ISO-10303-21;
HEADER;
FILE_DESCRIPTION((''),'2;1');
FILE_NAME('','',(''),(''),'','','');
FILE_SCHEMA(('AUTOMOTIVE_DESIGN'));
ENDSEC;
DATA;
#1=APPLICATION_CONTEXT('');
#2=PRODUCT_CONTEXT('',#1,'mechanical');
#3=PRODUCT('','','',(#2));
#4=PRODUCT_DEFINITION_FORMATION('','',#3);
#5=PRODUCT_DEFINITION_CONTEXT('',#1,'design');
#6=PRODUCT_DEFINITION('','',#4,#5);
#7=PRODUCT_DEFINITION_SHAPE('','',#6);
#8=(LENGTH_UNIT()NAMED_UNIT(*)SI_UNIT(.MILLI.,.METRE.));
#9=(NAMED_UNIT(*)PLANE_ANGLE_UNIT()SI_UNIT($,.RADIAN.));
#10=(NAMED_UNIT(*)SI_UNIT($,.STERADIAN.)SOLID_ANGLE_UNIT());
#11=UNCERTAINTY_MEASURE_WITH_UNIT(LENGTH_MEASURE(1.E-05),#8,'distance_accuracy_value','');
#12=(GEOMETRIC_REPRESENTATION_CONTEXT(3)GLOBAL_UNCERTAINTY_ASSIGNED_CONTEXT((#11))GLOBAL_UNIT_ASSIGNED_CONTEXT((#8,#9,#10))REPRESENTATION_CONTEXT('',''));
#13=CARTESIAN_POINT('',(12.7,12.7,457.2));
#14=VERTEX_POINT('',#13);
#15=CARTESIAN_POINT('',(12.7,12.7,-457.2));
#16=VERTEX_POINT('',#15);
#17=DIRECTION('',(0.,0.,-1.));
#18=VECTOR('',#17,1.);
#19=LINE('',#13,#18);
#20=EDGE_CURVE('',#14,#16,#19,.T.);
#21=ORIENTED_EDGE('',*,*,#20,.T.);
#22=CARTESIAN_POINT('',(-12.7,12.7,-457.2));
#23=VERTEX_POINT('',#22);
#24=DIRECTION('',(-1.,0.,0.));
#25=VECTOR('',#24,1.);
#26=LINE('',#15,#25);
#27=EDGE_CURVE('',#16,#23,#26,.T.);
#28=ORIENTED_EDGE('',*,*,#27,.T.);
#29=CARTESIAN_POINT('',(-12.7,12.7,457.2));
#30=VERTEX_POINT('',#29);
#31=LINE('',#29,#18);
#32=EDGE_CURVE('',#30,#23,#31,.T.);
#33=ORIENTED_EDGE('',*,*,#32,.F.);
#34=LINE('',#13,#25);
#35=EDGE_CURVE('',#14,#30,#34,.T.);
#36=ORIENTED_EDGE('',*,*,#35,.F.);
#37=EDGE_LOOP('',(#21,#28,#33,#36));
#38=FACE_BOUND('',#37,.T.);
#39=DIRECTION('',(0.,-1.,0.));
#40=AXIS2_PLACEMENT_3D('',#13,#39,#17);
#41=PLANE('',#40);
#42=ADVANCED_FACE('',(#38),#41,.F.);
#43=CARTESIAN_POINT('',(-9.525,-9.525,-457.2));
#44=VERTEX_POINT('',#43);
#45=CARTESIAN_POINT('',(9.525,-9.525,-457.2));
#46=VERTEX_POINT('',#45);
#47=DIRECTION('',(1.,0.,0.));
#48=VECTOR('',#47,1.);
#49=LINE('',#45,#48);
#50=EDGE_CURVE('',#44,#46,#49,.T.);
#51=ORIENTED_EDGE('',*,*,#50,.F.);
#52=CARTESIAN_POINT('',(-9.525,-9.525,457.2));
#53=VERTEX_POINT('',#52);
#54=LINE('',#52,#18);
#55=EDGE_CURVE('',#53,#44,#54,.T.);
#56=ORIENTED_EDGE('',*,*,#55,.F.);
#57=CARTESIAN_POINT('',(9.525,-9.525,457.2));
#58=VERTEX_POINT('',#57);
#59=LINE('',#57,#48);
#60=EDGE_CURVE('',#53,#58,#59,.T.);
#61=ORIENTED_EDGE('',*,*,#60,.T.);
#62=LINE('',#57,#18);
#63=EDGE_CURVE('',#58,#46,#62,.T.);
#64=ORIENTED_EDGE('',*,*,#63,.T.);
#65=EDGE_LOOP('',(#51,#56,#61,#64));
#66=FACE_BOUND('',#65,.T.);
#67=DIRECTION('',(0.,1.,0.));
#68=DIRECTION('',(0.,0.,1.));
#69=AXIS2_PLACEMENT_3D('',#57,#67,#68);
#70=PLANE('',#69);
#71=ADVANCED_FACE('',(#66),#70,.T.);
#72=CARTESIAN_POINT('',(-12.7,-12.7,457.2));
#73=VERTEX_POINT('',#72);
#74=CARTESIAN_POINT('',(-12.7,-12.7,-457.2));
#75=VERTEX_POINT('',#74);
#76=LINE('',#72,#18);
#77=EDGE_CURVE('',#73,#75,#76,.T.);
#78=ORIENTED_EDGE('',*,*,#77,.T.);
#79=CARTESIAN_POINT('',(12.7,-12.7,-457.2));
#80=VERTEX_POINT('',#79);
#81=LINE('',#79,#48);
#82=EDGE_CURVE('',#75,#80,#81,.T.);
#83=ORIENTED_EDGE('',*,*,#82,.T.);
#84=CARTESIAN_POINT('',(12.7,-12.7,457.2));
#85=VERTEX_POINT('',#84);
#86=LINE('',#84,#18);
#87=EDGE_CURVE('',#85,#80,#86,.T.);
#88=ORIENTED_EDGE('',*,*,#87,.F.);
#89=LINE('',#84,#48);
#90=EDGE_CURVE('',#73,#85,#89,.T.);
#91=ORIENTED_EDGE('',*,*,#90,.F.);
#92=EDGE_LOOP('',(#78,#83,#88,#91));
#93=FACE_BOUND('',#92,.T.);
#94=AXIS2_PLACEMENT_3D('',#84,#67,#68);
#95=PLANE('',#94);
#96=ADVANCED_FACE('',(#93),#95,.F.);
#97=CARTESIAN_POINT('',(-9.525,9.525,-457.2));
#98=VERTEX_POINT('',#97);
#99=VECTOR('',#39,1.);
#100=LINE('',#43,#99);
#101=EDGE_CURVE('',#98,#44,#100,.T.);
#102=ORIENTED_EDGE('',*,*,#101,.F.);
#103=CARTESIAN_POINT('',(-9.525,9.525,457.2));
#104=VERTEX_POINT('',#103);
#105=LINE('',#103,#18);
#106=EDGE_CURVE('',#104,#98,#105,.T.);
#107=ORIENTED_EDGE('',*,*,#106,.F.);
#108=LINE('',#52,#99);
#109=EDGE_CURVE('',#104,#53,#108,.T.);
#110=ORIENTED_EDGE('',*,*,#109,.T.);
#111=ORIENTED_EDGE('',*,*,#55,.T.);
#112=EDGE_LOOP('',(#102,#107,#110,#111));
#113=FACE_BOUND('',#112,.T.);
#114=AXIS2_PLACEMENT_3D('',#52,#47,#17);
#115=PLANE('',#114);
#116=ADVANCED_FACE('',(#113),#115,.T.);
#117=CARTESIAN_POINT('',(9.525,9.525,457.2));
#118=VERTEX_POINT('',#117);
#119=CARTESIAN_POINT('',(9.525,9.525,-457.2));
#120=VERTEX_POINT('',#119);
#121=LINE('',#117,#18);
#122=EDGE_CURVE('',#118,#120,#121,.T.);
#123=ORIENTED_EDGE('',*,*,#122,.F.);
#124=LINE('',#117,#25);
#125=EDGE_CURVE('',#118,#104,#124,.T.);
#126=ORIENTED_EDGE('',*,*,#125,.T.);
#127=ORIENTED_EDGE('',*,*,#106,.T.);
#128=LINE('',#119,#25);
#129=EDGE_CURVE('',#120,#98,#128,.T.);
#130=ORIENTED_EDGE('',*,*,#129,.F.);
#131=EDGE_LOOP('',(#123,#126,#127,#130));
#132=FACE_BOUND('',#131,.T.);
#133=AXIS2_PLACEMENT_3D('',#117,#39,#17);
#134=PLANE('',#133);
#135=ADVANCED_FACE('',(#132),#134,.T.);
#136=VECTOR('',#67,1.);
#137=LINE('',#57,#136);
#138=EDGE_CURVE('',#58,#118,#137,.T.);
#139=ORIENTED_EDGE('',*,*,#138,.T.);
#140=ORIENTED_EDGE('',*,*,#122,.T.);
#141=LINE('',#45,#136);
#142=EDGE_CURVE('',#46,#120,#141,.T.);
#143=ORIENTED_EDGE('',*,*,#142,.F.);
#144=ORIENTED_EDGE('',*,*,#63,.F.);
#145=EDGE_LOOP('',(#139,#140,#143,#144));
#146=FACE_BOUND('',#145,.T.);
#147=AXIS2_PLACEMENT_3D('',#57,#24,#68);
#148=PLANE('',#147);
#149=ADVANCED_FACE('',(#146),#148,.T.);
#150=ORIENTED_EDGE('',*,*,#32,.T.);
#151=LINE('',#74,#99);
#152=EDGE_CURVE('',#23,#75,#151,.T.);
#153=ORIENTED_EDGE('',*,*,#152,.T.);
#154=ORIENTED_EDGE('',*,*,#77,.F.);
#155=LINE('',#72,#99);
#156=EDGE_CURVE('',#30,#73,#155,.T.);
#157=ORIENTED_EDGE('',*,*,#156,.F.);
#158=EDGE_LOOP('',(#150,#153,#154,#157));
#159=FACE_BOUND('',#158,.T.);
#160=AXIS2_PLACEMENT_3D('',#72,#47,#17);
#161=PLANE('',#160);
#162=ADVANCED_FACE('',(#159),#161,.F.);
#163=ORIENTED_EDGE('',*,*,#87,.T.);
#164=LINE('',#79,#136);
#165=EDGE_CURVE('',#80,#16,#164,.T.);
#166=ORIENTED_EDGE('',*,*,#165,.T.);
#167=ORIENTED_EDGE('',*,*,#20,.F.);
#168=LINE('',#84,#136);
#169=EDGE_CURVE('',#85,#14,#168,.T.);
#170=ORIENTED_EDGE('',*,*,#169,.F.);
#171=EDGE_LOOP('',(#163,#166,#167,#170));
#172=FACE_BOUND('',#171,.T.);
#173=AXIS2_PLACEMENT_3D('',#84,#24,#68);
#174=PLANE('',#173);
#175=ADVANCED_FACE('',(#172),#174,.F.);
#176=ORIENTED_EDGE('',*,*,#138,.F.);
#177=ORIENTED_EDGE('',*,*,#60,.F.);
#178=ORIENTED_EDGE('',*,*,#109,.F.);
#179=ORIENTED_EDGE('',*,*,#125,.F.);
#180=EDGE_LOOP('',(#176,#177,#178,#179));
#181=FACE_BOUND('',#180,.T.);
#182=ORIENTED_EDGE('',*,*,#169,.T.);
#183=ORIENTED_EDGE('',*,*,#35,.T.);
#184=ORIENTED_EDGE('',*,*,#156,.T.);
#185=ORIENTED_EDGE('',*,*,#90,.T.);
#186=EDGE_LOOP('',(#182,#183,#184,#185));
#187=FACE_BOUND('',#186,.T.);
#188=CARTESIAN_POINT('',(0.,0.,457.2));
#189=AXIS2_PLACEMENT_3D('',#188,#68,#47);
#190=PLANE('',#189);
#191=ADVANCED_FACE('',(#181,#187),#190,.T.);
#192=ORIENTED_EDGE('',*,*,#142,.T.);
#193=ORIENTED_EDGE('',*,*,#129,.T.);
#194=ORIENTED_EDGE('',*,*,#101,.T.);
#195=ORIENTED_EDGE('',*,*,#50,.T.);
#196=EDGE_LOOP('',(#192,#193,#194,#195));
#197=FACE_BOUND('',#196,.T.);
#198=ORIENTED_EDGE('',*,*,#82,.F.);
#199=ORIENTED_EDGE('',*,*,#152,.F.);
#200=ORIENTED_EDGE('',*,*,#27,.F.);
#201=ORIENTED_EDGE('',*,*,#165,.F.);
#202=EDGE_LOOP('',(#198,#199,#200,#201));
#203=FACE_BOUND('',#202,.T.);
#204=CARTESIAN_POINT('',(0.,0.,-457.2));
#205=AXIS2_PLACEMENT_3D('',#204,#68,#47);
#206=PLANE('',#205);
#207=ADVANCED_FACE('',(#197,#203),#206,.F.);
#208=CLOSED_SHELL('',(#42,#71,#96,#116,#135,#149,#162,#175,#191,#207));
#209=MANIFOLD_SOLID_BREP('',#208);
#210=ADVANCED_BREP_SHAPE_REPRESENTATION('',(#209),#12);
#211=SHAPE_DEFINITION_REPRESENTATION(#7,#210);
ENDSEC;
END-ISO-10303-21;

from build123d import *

# Parameters (mm, degrees)
BOSS_EXTRUDE1_DEPTH      = 457.2
BOSS_EXTRUDE1_DEPTH_BACK = 457.2
SKETCH3_W                = 25.4
SKETCH3_H                = 25.4
SKETCH3_W_2              = 19.05
SKETCH3_H_2              = 19.05


with BuildPart() as part:
    # Sketch3 → Boss-Extrude1 (new, two sides: drawn at the far end of the back side and taken through both)
    with BuildSketch(Plane.XY.offset(-BOSS_EXTRUDE1_DEPTH_BACK)):
        Rectangle(SKETCH3_W, SKETCH3_H)
        Rectangle(SKETCH3_W_2, SKETCH3_H_2, mode=Mode.SUBTRACT)
    extrude(amount=BOSS_EXTRUDE1_DEPTH + BOSS_EXTRUDE1_DEPTH_BACK)


solid = part.part
